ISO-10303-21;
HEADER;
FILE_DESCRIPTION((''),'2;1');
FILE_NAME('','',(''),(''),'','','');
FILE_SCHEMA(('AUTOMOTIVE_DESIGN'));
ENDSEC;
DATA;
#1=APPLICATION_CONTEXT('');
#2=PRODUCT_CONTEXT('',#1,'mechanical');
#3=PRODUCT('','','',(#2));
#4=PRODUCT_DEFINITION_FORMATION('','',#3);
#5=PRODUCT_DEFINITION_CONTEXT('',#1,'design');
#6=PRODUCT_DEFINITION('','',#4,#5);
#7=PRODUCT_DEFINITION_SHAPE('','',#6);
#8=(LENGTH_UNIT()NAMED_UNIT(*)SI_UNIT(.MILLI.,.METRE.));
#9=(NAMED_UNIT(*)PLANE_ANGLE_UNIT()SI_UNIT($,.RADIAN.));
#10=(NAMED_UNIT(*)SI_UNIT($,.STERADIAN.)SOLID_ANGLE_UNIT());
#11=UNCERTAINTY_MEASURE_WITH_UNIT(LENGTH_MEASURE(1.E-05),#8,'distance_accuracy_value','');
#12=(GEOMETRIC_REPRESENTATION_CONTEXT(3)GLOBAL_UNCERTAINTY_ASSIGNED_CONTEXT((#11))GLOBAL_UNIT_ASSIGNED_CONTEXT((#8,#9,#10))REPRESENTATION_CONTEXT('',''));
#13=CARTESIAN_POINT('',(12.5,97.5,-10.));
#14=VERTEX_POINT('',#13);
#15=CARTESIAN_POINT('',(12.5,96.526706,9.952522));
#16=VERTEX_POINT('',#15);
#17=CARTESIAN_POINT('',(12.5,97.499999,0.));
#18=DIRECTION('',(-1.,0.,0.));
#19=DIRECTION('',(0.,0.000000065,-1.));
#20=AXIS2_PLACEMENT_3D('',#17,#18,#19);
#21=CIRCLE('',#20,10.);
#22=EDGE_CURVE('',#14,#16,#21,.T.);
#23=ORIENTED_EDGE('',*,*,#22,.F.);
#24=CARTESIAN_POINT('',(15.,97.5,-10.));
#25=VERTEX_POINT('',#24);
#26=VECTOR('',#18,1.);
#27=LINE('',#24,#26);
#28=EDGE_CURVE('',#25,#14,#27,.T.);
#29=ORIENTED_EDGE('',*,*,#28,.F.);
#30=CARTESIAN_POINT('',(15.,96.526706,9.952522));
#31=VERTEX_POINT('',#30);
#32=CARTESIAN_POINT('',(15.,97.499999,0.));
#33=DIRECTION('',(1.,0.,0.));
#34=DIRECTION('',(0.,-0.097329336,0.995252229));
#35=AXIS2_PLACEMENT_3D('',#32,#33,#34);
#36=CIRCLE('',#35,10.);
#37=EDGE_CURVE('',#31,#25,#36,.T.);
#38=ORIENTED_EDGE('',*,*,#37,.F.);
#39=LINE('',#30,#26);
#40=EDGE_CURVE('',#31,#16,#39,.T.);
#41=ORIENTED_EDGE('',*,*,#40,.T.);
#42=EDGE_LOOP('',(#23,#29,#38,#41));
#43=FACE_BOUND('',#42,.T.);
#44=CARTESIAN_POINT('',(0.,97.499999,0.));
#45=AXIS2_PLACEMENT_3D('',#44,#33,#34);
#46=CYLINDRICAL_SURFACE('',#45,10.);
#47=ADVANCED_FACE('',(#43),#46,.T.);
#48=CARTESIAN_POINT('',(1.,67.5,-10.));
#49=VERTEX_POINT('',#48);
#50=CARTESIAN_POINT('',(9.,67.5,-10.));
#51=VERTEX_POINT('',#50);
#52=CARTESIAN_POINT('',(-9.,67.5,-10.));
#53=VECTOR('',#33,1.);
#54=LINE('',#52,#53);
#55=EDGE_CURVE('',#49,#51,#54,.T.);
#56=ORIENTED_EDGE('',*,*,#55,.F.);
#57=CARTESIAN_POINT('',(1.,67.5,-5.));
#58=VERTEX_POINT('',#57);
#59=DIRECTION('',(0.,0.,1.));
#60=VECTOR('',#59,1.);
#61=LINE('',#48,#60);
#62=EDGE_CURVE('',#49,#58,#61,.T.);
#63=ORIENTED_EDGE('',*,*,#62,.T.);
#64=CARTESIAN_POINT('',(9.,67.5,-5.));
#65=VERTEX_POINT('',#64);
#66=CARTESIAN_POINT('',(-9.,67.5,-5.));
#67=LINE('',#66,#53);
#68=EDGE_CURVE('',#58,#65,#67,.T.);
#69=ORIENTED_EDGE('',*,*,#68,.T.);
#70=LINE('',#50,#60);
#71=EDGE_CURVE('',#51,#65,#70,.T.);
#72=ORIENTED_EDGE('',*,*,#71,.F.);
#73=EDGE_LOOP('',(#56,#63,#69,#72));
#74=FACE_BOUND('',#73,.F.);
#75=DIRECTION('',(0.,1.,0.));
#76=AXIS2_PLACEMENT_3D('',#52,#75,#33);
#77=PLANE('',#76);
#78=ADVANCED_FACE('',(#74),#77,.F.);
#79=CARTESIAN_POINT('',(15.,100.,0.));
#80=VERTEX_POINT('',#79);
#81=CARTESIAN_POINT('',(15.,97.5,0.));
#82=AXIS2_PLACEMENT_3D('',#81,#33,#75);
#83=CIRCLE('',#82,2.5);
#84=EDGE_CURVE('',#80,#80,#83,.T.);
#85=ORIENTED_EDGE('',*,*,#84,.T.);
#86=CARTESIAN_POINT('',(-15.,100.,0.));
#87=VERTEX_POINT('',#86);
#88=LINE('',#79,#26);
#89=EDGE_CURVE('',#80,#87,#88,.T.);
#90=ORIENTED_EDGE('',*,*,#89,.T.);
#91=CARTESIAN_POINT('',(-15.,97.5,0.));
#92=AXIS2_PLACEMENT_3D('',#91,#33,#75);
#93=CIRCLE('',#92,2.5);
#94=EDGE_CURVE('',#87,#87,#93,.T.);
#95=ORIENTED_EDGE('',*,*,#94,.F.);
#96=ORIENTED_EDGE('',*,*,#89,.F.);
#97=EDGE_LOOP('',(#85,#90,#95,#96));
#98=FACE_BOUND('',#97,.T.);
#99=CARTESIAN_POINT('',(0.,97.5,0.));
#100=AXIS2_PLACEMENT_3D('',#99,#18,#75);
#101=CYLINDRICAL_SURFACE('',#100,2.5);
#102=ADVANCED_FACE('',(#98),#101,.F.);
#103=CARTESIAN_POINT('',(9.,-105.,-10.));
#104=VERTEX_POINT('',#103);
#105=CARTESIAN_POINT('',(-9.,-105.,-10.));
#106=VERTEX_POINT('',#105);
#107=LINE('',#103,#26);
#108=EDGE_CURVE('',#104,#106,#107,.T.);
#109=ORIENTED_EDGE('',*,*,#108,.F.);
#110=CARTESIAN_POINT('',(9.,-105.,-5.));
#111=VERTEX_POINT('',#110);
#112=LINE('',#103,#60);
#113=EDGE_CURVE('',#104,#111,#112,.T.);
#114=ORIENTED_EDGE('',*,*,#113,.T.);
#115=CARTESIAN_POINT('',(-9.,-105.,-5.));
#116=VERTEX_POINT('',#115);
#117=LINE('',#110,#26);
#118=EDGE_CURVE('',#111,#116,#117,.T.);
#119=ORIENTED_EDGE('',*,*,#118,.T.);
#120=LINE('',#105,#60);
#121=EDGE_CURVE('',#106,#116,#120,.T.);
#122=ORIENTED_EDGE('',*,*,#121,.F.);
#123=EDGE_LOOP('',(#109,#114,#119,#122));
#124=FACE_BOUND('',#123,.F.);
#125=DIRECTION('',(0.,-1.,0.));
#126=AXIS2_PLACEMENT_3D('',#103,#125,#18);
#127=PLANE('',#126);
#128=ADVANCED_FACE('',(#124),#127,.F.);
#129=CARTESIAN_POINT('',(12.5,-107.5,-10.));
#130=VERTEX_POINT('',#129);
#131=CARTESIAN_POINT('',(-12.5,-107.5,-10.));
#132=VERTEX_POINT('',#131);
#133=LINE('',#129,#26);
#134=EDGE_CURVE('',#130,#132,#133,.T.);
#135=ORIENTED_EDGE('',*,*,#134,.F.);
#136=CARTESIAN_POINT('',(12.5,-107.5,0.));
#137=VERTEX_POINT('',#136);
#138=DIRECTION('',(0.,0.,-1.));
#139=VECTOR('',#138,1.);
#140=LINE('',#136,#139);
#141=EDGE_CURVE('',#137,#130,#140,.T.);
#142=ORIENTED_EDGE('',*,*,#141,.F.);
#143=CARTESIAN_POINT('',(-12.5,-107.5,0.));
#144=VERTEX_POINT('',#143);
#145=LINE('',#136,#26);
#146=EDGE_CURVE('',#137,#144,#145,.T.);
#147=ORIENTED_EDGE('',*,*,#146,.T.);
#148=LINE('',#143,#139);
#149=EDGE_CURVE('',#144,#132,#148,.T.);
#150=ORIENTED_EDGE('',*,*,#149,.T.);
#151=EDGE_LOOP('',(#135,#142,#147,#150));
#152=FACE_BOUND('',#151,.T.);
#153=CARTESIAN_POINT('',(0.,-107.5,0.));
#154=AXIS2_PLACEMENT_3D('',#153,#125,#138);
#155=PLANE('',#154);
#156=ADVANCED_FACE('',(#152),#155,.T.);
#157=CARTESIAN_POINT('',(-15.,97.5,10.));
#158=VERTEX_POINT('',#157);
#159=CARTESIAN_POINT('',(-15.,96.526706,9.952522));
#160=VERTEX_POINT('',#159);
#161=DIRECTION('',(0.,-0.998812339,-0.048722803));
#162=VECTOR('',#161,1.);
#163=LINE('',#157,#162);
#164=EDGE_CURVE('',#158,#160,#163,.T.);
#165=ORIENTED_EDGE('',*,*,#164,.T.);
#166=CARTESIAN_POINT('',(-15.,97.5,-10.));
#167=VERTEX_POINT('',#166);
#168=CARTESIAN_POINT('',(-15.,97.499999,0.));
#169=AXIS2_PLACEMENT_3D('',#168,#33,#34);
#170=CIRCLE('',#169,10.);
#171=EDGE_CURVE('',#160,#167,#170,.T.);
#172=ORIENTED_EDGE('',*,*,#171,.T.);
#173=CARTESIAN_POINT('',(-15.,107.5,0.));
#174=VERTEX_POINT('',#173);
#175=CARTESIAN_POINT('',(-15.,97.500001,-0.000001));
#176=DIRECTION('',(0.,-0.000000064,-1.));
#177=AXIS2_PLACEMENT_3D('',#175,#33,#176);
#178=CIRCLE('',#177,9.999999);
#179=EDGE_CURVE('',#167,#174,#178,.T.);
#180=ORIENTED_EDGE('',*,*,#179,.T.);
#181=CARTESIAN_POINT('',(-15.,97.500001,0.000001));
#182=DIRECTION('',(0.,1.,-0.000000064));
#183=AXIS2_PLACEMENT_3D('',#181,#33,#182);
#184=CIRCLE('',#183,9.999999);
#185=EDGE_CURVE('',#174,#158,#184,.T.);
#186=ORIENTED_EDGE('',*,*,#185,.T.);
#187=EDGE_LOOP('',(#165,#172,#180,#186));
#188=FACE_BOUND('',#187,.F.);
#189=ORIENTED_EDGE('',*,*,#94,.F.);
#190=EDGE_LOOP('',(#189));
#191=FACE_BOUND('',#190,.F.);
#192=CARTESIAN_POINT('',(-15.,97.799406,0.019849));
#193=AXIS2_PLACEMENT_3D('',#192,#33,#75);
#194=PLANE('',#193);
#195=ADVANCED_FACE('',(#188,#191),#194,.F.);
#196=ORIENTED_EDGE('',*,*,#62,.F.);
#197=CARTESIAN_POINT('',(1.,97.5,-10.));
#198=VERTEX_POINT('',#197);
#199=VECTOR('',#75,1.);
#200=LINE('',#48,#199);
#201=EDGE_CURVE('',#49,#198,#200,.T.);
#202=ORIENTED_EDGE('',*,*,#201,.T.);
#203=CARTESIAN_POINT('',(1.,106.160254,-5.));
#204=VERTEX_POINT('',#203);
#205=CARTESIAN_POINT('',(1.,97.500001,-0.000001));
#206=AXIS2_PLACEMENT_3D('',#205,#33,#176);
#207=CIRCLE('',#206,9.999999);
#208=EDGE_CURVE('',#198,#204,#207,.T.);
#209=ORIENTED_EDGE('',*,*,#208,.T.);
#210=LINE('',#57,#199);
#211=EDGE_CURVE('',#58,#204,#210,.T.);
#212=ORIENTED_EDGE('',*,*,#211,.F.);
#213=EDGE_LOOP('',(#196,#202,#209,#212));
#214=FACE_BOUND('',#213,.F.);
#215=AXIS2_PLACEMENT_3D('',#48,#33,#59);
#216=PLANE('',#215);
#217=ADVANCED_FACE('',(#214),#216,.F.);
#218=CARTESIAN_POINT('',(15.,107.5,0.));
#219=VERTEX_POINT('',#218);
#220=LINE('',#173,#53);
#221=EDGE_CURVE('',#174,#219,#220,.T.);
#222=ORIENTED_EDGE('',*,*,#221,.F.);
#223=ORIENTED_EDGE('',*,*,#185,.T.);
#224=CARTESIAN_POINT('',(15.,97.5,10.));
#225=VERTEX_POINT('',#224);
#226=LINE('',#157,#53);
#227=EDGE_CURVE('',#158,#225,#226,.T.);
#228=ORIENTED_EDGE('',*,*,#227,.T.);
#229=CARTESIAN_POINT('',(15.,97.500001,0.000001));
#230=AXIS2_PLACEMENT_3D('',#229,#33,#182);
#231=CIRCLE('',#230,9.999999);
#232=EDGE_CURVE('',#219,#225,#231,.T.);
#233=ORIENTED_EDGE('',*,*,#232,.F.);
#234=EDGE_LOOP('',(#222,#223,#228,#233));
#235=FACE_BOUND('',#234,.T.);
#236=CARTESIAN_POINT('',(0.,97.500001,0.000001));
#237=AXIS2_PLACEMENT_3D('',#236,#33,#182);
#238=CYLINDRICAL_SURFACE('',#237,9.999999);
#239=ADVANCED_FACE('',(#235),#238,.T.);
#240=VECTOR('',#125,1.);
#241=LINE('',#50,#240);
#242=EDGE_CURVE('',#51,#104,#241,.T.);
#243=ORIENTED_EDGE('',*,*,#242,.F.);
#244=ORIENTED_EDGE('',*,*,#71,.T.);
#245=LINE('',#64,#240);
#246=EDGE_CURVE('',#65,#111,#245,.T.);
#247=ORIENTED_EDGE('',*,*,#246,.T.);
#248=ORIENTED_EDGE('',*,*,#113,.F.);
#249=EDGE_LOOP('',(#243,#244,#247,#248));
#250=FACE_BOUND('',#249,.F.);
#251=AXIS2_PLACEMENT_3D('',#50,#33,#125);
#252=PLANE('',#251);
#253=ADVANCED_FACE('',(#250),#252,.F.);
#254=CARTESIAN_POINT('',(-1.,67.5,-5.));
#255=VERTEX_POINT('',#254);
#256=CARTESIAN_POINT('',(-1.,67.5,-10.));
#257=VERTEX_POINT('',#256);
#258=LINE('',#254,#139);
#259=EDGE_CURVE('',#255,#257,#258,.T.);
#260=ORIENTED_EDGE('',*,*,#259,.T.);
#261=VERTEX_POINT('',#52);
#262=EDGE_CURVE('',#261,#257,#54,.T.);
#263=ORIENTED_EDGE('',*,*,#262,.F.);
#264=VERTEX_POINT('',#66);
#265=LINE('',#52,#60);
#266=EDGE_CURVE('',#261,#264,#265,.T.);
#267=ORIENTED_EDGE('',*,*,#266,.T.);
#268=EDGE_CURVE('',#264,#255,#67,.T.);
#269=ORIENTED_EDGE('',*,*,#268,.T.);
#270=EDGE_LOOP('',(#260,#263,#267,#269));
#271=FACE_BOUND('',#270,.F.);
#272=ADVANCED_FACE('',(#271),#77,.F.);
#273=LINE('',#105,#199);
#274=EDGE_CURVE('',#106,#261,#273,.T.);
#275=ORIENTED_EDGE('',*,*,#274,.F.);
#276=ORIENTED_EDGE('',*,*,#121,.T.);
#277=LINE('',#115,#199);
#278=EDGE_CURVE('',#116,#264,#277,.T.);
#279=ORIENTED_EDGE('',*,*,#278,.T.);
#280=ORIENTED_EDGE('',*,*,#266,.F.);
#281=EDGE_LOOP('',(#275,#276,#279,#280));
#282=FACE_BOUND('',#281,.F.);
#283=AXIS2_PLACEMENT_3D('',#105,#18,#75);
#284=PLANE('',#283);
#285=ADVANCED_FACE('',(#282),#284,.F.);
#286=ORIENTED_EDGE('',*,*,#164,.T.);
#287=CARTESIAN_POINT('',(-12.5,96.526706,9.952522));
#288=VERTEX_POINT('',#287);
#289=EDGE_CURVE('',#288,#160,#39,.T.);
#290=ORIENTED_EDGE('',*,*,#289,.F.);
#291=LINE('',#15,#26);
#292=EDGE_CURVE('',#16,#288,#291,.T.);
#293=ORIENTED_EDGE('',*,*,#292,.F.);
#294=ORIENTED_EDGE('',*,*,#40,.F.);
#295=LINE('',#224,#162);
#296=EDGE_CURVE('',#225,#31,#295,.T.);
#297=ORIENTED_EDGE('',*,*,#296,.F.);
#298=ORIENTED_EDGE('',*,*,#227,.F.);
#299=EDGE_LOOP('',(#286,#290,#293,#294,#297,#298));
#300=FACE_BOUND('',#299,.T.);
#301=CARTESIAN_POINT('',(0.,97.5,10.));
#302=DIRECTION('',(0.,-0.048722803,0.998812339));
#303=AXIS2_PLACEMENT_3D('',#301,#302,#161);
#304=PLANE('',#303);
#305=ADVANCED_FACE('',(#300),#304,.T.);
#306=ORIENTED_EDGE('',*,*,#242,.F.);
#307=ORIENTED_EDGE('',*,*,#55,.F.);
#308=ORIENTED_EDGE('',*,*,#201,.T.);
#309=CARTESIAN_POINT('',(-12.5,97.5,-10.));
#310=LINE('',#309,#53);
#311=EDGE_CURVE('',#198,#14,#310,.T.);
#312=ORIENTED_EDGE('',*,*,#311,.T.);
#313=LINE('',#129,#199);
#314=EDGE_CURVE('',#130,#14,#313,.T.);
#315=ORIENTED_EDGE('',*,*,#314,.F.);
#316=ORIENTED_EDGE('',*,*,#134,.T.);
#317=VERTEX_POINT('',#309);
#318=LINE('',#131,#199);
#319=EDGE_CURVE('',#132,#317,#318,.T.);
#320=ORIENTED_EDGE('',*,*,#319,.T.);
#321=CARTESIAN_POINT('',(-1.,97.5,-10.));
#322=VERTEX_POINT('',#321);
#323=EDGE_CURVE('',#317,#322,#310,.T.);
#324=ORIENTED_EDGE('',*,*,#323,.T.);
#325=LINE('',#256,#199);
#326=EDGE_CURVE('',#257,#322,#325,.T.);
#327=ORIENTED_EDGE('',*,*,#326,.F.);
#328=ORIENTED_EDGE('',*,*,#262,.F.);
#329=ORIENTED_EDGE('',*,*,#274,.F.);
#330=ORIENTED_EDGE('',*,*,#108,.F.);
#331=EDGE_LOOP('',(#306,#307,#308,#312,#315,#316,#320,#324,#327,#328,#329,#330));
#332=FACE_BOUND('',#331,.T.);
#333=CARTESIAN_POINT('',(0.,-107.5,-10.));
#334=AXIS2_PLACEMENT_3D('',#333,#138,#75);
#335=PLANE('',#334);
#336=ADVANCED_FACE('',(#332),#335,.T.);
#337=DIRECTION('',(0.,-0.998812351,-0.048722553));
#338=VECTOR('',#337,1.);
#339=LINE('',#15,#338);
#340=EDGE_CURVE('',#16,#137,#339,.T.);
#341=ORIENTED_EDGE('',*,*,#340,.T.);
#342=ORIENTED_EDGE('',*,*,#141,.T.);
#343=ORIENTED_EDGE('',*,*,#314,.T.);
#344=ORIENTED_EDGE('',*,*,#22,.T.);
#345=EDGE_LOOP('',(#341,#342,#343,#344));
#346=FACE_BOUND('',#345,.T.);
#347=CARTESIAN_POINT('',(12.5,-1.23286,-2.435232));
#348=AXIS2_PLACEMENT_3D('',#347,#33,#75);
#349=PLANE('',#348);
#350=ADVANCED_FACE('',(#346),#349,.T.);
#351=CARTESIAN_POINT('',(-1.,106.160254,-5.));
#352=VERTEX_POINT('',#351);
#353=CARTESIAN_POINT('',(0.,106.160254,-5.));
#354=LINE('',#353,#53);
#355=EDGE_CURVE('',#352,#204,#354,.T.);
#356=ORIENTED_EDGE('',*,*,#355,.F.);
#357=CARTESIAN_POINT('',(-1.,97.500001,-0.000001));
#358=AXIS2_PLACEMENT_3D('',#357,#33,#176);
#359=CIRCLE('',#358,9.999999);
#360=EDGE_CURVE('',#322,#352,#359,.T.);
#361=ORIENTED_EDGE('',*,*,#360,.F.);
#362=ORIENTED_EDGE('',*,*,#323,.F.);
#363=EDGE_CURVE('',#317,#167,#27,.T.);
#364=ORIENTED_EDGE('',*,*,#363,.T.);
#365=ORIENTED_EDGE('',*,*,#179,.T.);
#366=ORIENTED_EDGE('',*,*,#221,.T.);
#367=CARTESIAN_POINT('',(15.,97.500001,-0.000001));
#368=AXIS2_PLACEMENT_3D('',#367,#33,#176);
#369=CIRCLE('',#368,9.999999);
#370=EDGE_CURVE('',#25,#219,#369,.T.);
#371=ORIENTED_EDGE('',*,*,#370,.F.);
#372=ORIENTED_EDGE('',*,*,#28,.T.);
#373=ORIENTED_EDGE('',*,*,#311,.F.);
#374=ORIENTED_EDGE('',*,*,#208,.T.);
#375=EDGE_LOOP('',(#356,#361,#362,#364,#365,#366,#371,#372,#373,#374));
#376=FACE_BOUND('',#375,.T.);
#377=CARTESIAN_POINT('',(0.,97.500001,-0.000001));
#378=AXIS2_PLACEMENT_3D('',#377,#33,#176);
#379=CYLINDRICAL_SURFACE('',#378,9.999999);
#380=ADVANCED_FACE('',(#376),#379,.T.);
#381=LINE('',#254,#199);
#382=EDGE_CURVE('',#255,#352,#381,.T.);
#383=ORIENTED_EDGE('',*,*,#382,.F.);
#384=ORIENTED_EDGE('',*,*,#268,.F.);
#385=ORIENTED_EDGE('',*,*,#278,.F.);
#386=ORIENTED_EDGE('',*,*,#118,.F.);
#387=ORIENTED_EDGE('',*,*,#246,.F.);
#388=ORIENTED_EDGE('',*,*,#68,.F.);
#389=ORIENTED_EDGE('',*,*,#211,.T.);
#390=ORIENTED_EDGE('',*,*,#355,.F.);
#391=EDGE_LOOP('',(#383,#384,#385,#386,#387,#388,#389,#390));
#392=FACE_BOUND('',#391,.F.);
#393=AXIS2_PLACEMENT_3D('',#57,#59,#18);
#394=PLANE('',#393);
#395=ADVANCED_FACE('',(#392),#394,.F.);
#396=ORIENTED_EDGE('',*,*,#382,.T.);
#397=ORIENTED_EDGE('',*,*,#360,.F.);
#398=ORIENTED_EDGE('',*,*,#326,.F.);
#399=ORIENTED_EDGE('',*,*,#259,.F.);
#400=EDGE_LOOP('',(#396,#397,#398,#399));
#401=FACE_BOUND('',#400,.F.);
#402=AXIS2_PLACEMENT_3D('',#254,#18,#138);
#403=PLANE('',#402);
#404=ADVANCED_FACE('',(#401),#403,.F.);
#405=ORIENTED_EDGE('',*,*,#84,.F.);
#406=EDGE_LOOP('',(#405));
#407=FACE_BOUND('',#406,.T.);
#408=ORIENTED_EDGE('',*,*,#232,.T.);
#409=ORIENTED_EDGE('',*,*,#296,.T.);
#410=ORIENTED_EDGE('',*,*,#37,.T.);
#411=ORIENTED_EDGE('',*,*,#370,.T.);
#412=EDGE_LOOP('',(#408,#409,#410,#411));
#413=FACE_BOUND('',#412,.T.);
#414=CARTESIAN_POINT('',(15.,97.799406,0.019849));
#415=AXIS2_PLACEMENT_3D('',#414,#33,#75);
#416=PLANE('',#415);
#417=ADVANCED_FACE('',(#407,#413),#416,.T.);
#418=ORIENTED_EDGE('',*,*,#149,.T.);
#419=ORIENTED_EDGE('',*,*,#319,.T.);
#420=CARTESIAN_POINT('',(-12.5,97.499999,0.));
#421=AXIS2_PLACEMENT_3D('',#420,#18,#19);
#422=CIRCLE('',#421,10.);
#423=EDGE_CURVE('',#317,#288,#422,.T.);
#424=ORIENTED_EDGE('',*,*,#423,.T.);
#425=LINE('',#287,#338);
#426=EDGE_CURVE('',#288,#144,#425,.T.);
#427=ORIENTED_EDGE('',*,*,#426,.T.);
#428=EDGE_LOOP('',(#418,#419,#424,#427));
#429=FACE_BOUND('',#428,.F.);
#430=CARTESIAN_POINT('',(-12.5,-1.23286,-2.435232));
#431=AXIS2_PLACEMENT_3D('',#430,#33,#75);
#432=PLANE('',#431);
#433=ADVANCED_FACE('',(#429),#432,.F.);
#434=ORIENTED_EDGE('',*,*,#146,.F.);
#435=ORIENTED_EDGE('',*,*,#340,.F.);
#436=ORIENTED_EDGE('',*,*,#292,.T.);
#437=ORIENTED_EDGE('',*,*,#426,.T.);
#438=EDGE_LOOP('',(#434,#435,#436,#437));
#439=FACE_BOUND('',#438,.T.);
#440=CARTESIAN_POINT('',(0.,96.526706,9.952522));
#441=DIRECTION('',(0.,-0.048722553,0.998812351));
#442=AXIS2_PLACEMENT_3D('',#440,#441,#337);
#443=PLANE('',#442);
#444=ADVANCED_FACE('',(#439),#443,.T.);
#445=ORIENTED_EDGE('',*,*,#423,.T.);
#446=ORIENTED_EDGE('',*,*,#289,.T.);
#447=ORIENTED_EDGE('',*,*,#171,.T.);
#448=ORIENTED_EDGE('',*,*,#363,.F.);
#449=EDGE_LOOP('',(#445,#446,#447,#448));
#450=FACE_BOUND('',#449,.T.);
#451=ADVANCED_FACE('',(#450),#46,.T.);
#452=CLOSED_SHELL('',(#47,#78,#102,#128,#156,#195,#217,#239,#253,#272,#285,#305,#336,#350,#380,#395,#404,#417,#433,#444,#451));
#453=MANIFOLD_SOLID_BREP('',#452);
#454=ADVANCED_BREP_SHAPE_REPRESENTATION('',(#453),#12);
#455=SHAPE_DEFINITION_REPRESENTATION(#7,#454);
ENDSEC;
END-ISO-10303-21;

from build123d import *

# Parameters (mm, degrees)
F0_R          = 2.5
F1_DEPTH      = 15
F1_DEPTH_BACK = 15
F2_DEPTH      = 12.5
F2_DEPTH_BACK = 12.5
F4_DEPTH      = 5
F6_DEPTH      = 40.001


with BuildPart() as f1:
    # F0 (on Right) → F1 (new body, two sides)
    with BuildSketch(Plane.YZ) as f1_sk:
        with BuildLine():
            ThreePointArc((97.5, -10), (104.571068, -7.071068), (107.5, 0))
            ThreePointArc((107.5, 0), (104.571068, 7.071068), (97.5, 10))
            Line((97.5, 10), (96.526706, 9.952522))
            ThreePointArc((96.526706, 9.952522), (87.511876, -0.487226), (97.5, -10))
        make_face()
        with Locations((97.5, 0)):
            Circle(F0_R, mode=Mode.SUBTRACT)
    extrude(amount=F1_DEPTH)
    extrude(f1_sk.sketch, amount=-F1_DEPTH_BACK)

    # F0 (on Right) → F2 (join, two sides)
    with BuildSketch(Plane.YZ) as f2_sk:
        with BuildLine():
            Line((-107.5, -10), (97.5, -10))
            ThreePointArc((97.5, -10), (87.511876, -0.487226), (96.526706, 9.952522))
            Line((96.526706, 9.952522), (-107.5, 0))
            Line((-107.5, 0), (-107.5, -10))
        make_face()
    extrude(amount=F2_DEPTH)
    extrude(f2_sk.sketch, amount=-F2_DEPTH_BACK)

    # F3 (on face) → F4 (cut)
    with BuildSketch(Plane(origin=(0, 0, -10), x_dir=(1, 0, 0), z_dir=(0, 0, -1))):
        Polygon((9, -67.5), (9, 105), (-9, 105), (-9, -67.5), (0, -67.5), align=None)
    extrude(amount=-F4_DEPTH, mode=Mode.SUBTRACT)

    # F5 (on face) → F6 (cut, through all)
    with BuildSketch(Plane.XZ.offset(-67.5)):
        Polygon((-1, -10), (0, -10), (1, -10), (1, -5), (0, -5), (-1, -5), align=None)
    extrude(amount=-F6_DEPTH, mode=Mode.SUBTRACT)


solid = f1.part
